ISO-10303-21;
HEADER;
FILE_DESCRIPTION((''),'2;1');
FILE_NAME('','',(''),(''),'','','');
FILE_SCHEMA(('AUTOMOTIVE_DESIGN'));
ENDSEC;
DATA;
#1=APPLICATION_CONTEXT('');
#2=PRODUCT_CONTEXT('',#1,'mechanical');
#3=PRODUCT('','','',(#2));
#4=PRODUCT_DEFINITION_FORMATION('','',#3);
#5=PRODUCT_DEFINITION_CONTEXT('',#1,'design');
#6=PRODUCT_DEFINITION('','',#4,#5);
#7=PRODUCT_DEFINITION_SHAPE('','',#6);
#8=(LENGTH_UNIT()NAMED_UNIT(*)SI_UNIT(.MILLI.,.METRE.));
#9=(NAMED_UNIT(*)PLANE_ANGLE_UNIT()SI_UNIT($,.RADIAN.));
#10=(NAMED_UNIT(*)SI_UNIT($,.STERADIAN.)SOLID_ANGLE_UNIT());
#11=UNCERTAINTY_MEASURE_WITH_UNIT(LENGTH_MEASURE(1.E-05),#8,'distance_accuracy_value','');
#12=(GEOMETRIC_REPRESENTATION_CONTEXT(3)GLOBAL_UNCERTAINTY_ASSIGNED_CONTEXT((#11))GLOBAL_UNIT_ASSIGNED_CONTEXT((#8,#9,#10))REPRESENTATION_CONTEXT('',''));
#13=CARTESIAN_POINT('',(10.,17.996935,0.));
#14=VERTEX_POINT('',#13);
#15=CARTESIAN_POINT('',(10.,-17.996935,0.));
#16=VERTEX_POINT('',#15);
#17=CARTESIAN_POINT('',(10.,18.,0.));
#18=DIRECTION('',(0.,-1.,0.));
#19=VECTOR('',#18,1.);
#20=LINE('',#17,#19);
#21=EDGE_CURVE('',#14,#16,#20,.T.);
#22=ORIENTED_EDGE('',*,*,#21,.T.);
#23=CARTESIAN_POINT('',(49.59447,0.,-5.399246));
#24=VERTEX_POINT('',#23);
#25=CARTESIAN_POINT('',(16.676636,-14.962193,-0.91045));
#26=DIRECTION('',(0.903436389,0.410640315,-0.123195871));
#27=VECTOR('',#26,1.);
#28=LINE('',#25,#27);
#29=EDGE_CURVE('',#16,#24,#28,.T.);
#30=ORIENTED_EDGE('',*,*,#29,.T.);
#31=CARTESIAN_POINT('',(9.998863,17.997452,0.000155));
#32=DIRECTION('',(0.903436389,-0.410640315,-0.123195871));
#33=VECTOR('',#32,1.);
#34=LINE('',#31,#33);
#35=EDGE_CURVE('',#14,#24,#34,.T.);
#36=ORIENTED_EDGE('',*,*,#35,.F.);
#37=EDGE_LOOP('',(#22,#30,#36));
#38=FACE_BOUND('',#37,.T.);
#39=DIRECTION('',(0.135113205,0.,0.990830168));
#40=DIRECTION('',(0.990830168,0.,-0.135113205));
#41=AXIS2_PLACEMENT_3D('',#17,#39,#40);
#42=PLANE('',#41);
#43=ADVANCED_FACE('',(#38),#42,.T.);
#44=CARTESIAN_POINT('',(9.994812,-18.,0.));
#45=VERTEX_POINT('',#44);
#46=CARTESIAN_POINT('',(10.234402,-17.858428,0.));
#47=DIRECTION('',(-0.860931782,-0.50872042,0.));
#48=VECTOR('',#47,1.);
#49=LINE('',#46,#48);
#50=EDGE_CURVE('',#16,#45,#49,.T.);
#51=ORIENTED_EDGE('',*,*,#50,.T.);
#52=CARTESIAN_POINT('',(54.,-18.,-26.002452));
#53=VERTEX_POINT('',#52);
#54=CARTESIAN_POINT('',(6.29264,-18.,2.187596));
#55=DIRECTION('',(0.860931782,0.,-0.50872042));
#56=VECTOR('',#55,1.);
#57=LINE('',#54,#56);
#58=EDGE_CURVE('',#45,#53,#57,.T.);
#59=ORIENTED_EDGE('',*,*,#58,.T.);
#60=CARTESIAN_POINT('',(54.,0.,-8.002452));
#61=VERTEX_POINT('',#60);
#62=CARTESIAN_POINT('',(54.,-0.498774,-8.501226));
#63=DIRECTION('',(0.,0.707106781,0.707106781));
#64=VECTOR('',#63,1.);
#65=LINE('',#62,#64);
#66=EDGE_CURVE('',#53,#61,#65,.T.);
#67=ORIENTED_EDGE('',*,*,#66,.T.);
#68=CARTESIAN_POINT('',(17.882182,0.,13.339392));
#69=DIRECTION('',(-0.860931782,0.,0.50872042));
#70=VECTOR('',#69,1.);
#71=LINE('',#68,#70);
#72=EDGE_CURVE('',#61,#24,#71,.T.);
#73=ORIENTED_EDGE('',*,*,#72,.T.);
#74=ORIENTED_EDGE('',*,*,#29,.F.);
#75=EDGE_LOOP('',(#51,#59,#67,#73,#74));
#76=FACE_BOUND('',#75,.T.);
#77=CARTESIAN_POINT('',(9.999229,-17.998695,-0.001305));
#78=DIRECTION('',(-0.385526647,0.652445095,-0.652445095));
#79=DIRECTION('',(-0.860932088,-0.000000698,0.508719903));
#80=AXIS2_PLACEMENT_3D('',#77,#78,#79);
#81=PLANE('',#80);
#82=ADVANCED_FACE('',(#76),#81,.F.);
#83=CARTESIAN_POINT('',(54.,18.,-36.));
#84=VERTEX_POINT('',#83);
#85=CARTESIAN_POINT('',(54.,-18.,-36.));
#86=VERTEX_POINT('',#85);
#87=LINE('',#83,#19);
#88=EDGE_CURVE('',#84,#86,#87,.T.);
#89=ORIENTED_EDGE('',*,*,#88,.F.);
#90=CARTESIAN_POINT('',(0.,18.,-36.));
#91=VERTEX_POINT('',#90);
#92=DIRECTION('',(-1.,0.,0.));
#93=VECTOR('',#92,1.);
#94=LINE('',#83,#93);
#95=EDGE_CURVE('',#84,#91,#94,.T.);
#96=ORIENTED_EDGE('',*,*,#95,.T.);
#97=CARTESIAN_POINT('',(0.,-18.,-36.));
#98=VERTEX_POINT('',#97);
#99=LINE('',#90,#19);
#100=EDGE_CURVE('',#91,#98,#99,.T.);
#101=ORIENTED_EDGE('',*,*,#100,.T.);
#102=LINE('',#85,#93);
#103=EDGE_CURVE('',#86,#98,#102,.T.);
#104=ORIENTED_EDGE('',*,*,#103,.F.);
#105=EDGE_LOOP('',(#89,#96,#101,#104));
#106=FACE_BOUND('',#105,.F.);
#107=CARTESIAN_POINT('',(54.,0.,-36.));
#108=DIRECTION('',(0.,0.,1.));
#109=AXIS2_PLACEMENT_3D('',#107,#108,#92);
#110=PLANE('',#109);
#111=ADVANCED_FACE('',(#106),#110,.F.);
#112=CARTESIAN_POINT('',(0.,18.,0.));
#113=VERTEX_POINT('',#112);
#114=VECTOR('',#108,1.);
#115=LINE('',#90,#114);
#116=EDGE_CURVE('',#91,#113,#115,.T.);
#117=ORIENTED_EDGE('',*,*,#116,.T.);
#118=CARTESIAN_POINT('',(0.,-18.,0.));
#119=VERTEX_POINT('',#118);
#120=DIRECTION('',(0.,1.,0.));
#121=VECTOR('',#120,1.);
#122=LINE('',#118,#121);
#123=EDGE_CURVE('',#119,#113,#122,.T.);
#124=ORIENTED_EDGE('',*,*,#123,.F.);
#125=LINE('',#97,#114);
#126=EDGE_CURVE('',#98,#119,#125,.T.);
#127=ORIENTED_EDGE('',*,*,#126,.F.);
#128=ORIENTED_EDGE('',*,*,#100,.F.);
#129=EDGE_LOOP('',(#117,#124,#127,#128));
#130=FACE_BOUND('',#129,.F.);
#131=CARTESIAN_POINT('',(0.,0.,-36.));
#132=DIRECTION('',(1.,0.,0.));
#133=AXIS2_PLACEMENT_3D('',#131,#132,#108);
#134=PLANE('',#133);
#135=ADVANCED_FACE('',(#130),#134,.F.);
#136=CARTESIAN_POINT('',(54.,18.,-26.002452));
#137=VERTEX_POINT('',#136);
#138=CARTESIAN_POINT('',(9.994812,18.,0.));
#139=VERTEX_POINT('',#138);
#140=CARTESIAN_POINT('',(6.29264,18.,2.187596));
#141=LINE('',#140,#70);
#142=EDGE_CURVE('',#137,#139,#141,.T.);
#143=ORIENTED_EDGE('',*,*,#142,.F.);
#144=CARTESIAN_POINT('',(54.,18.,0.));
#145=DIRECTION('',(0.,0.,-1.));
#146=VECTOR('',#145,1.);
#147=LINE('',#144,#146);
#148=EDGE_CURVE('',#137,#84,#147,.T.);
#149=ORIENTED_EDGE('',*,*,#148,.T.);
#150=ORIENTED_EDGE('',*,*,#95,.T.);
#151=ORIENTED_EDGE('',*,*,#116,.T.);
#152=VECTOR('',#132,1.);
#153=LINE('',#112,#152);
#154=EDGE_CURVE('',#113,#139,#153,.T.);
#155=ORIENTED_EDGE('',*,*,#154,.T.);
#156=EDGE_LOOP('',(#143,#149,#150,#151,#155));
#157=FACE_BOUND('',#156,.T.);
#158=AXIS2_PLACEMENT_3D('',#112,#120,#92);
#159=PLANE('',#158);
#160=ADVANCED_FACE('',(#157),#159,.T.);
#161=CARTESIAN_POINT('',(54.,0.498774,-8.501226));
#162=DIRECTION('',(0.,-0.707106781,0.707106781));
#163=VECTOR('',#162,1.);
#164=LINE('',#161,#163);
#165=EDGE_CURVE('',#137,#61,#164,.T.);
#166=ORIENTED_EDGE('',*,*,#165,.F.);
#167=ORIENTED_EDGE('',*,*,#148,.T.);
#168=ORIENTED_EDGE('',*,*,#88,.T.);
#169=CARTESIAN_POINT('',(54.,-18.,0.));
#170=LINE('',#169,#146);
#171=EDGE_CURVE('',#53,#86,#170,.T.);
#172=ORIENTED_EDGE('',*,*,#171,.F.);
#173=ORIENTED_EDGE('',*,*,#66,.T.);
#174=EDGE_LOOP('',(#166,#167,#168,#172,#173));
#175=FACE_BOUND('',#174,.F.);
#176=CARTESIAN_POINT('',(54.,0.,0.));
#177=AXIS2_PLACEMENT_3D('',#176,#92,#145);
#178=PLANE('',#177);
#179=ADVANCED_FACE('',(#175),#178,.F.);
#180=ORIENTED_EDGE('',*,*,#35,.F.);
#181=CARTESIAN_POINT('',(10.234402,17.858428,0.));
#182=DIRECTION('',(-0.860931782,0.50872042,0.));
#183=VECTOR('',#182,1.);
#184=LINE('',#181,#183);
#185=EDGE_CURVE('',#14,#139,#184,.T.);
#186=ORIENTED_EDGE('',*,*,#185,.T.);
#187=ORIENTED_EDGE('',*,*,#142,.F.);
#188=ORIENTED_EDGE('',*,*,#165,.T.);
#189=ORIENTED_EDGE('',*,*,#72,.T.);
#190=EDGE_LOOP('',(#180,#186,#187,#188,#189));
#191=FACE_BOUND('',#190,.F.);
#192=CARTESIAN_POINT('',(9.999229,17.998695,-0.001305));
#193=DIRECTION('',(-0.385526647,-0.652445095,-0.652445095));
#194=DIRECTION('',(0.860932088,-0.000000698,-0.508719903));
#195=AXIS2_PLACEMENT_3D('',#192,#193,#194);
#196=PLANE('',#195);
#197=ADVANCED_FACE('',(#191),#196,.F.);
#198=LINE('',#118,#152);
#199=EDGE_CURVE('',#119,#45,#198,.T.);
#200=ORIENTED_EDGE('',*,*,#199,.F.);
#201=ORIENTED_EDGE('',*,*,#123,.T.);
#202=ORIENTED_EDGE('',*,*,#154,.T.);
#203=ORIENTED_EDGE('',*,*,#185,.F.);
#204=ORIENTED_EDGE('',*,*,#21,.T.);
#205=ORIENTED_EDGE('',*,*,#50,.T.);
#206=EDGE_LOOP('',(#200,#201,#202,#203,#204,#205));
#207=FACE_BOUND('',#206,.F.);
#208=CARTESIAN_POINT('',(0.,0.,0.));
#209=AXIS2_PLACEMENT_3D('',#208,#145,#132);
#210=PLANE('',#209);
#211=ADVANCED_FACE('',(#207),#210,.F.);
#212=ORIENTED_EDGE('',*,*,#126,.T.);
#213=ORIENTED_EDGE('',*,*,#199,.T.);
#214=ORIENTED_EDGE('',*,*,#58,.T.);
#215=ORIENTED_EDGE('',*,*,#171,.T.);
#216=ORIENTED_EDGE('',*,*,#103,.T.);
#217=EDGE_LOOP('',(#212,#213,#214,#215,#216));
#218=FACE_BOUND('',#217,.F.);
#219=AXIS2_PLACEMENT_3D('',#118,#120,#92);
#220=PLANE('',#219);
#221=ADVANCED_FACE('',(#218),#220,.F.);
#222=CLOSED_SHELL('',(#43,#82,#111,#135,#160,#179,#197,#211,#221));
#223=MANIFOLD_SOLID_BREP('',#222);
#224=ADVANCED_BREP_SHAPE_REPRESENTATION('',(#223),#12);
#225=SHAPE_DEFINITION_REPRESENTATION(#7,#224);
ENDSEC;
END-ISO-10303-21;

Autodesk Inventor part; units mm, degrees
ref_plane "YZ Plane" through (0, 0, 0) normal (1, 0, 0) x (0, 1, 0)
ref_plane "XZ Plane" through (0, 0, 0) normal (0, 1, 0) x (-1, 0, 0)
sketch "草圖1" plane through (0, 0, 0) normal (0, 1, 0) x (-1, 0, 0)
  line L0 (0, 0) -> (-54, 0)
  line L1 (-54, 0) -> (-54, -36)
  line L2 (-54, -36) -> (0, -36)
  line L3 (0, -36) -> (0, 0)
  dimension "d0" = 54
  dimension "d1" = 36
extrude "擠出1" add sketch "草圖1" along normal mid plane 36
sketch "草圖2" plane through (0, 18, 0) normal (0, 1, 0) x (1, 0, 0)
  line L0 (0, 0) -> (54, 0) projected
  line L1 (10, 0) -> (54, 6)
  line L2 (54, 0) -> (54, 36) projected
  dimension "d4" = 10
  dimension "d5" = 30
extrude "擠出2" cut sketch "草圖2" against normal blind 40
sketch "草圖3" plane through (54, -18, -36) normal (1, 0, 0) x (0, 0, -1)
  line L0 (-30, 16) -> (-10, 36)
  line L1 (0, 36) -> (-36, 36) projected
  line L2 (-30, 36) -> (-30, 0) projected
  point P0 (-36, 18)
  dimension "d8" = 20
  dimension "d9" = 20
ref_plane "工作平面1" through (10, 18, 0) normal (-0.3855, -0.6524, -0.6524) x (0.8609, 0, -0.5087)
sketch "草圖4" plane through (10, 18, 0) normal (-0.3855, -0.6524, -0.6524) x (0.8609, 0, -0.5087)
  line L0 (-15.1543, -12.3218) -> (93.717, -12.3218)
  line L1 (93.717, -12.3218) -> (93.717, 28.8166)
  line L2 (93.717, 28.8166) -> (-15.1543, 28.8166)
  line L3 (-15.1543, 28.8166) -> (-15.1543, -12.3218)
  point P0 (-8.6093, 10.3219)
extrude "擠出3" cut sketch "草圖4" against normal blind 40
mirror "鏡射1" about plane through (0, 0, 0) normal (0, 1, 0) of "擠出3"
properties part number "1"
